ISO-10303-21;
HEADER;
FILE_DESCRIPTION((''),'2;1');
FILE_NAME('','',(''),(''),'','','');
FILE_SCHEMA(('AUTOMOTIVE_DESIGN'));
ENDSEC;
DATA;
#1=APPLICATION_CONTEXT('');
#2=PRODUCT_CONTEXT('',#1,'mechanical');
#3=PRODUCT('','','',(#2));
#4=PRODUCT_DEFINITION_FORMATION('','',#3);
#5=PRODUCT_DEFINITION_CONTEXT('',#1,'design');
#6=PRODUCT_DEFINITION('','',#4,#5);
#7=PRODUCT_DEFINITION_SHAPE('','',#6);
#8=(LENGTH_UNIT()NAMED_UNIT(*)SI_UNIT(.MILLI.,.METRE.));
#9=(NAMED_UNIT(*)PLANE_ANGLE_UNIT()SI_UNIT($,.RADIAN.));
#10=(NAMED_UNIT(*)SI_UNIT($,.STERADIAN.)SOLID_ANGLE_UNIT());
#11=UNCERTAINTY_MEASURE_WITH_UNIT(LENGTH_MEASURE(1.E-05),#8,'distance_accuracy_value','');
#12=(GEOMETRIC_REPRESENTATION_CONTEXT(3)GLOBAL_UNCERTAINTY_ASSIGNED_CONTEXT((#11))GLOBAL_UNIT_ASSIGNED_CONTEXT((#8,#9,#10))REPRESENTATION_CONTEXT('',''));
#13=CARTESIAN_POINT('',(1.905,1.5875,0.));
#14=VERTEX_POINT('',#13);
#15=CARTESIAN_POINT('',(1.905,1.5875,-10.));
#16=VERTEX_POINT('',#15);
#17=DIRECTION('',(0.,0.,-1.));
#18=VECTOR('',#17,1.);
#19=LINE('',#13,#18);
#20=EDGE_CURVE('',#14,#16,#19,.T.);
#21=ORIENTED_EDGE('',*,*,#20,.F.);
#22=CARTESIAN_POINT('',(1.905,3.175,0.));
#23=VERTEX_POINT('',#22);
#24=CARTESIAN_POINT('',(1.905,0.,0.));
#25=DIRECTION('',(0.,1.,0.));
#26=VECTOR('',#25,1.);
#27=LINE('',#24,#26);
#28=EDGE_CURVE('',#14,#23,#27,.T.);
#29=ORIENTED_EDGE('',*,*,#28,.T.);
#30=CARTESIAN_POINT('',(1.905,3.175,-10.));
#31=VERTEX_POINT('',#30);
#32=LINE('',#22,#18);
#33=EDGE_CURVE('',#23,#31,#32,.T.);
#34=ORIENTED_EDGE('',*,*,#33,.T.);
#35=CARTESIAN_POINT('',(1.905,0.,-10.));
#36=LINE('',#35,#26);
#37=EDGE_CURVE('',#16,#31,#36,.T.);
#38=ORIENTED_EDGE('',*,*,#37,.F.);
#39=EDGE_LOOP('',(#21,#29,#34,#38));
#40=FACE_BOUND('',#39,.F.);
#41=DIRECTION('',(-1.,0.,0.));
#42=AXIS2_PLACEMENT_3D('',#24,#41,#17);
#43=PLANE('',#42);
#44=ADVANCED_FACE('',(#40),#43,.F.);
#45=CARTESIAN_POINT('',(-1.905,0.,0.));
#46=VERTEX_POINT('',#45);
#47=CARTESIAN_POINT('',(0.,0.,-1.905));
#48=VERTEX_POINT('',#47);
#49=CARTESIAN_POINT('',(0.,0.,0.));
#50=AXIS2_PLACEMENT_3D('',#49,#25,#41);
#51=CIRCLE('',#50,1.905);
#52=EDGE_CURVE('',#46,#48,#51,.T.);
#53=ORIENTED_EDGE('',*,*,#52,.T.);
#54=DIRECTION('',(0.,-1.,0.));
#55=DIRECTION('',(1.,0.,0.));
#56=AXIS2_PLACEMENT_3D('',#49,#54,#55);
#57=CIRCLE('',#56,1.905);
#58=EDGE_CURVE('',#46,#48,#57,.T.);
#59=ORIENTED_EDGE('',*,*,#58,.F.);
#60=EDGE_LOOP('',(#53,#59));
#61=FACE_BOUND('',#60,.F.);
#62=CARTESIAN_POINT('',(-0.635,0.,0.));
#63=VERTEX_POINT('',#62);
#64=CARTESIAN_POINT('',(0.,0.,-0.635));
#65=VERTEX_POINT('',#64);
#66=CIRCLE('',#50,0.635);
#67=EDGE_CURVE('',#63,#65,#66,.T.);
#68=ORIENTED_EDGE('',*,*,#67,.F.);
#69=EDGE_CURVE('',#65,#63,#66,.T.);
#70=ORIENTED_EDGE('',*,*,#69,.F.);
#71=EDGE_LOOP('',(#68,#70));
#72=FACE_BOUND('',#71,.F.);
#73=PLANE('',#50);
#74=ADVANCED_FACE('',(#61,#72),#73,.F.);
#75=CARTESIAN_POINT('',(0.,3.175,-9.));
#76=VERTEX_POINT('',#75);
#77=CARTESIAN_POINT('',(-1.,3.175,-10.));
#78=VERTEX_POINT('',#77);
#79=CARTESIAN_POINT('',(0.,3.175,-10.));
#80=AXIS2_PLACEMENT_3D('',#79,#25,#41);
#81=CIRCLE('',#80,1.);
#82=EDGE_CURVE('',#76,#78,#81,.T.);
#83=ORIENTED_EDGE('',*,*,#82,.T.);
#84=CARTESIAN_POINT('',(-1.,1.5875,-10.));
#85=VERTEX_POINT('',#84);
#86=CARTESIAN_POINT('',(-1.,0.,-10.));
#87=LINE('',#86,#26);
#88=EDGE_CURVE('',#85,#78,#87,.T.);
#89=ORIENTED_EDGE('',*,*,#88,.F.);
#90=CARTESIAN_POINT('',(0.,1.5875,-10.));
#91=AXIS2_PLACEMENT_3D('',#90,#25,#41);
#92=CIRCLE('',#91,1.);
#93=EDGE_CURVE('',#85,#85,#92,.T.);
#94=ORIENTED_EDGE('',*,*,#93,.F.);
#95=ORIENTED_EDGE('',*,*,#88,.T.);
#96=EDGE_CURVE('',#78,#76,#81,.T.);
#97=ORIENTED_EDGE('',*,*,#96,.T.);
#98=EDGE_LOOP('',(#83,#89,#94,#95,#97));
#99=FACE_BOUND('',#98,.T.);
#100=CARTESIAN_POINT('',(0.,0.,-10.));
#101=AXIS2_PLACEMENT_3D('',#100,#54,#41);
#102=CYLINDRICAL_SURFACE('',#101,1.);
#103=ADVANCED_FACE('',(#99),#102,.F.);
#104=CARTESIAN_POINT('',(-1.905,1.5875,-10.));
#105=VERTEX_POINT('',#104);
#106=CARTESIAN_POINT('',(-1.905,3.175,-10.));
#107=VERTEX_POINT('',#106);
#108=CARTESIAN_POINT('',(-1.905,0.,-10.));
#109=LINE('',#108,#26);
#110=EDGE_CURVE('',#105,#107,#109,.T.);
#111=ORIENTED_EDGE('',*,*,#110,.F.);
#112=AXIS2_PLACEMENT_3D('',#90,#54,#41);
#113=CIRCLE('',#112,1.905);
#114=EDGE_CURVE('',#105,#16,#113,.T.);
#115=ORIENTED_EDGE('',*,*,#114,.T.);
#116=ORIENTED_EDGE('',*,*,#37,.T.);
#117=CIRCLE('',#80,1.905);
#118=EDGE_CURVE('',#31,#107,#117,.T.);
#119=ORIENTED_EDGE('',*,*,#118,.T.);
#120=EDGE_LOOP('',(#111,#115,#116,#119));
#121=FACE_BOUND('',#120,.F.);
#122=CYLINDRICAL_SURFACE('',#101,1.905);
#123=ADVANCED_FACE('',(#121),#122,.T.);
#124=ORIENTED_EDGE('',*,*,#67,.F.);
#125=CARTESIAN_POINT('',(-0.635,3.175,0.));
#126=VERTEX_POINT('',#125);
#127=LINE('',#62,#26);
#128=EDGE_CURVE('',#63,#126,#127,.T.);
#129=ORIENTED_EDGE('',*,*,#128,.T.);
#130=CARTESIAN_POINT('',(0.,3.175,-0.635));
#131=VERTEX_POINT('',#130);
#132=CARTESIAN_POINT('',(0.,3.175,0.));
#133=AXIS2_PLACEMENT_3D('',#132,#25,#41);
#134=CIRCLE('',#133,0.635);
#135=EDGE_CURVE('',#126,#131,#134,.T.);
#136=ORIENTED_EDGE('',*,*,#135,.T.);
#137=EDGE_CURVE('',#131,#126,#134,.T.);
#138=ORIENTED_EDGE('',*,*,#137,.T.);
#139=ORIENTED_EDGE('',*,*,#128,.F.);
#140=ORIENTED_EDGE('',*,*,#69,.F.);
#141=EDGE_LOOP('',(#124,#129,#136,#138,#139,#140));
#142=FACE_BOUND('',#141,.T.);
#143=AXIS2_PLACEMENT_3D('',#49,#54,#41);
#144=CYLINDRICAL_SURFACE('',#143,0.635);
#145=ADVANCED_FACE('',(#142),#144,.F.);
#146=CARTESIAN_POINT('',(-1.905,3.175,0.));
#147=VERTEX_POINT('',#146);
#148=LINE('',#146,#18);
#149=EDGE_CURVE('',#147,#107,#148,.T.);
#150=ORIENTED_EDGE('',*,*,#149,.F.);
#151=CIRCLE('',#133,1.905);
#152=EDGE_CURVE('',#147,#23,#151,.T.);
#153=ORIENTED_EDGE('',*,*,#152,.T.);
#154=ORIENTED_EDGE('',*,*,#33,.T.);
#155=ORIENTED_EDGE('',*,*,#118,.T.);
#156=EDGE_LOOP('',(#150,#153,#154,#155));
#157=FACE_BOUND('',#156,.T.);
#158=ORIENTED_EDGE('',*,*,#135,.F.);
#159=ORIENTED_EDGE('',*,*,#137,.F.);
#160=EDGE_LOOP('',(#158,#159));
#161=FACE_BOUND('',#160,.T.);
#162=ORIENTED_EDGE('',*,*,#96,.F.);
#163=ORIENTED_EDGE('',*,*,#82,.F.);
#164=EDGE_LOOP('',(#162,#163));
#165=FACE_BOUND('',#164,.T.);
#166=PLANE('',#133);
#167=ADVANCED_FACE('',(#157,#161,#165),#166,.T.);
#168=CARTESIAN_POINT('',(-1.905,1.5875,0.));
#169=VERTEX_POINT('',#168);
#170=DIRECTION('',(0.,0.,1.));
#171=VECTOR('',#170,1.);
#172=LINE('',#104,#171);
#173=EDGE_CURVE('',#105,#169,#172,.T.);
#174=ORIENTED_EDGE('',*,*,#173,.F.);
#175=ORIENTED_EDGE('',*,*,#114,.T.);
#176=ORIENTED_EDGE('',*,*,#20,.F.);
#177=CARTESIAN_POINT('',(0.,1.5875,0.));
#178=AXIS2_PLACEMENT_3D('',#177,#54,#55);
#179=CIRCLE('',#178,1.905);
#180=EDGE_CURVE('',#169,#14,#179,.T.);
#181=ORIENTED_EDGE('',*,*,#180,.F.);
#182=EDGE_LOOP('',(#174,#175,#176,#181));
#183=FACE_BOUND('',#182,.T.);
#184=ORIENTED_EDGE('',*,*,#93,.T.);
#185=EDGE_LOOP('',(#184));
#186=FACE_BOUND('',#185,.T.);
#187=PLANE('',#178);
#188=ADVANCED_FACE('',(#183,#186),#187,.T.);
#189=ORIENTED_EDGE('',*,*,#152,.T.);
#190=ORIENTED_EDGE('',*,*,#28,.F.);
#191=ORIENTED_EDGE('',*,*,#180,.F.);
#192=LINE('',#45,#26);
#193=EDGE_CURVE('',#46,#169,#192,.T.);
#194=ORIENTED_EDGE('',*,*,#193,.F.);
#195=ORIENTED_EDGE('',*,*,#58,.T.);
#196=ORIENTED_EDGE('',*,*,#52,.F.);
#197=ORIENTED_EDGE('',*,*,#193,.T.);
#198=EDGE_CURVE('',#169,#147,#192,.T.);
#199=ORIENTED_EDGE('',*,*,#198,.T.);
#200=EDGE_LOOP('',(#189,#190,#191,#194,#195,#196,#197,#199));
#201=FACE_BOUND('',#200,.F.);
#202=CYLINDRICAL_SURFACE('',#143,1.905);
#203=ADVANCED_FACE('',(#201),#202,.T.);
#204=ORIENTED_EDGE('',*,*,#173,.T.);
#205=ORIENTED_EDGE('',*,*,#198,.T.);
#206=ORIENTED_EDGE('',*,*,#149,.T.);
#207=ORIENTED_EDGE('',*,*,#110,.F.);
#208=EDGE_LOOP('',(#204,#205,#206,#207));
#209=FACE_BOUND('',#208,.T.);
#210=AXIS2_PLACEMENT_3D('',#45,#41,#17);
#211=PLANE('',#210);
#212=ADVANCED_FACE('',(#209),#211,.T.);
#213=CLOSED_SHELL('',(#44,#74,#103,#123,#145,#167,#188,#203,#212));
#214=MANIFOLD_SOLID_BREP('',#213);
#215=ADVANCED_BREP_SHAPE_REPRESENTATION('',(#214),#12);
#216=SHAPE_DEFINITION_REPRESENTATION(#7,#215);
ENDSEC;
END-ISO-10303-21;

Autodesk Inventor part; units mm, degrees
ref_plane "YZ Plane" through (0, 0, 0) normal (1, 0, 0) x (0, 1, 0)
ref_plane "XZ Plane" through (0, 0, 0) normal (0, 1, 0) x (-1, 0, 0)
ref_plane "XY Plane" through (0, 0, 0) normal (0, 0, 1) x (1, 0, 0)
sketch "Sketch1" plane through (0, 0, 0) normal (0, 1, 0) x (-1, 0, 0)
  circle A0 centre (0, 0) radius 0.635
  line L0 (0, 0) -> (0, -10)
  circle A1 centre (0, -10) radius 1
  circle A2 centre (0, -10) radius 1.905
  circle A3 centre (0, 0) radius 1.905
  line L1 (1.905, 0) -> (1.905, -10)
  line L2 (-1.905, 0) -> (-1.905, -10)
  dimension "d0" = 1.27
  dimension "d1" = 10
  dimension "d2" = 2
  dimension "d3" = 3.81
  dimension "d4" = 3.81
extrude "Extrusion1" add sketch "Sketch1" along normal blind 3.175
sketch "Sketch2" plane through (0, 0, 0) normal (0, -1, 0) x (1, 0, 0)
  circle A0 centre (0, 0) radius 1.905
  circle A1 centre (0, -10) radius 1 projected
  circle A2 centre (0, 0) radius 0.635 projected
  arc A3 (1.905, 0) -> (-1.905, 0) centre (0, 0) ccw projected
  line L0 (-1.905, -10) -> (-1.905, 0) projected
  arc A4 (-1.905, -10) -> (1.905, -10) centre (0, -10) ccw projected
  line L1 (1.905, 0) -> (1.905, -10) projected
extrude "Extrusion2" cut sketch "Sketch2" against normal blind 1.5875 contours L1 A4 L0 A0
properties part number "potentiometerServohornAttachment" material "ABS Plastic"
